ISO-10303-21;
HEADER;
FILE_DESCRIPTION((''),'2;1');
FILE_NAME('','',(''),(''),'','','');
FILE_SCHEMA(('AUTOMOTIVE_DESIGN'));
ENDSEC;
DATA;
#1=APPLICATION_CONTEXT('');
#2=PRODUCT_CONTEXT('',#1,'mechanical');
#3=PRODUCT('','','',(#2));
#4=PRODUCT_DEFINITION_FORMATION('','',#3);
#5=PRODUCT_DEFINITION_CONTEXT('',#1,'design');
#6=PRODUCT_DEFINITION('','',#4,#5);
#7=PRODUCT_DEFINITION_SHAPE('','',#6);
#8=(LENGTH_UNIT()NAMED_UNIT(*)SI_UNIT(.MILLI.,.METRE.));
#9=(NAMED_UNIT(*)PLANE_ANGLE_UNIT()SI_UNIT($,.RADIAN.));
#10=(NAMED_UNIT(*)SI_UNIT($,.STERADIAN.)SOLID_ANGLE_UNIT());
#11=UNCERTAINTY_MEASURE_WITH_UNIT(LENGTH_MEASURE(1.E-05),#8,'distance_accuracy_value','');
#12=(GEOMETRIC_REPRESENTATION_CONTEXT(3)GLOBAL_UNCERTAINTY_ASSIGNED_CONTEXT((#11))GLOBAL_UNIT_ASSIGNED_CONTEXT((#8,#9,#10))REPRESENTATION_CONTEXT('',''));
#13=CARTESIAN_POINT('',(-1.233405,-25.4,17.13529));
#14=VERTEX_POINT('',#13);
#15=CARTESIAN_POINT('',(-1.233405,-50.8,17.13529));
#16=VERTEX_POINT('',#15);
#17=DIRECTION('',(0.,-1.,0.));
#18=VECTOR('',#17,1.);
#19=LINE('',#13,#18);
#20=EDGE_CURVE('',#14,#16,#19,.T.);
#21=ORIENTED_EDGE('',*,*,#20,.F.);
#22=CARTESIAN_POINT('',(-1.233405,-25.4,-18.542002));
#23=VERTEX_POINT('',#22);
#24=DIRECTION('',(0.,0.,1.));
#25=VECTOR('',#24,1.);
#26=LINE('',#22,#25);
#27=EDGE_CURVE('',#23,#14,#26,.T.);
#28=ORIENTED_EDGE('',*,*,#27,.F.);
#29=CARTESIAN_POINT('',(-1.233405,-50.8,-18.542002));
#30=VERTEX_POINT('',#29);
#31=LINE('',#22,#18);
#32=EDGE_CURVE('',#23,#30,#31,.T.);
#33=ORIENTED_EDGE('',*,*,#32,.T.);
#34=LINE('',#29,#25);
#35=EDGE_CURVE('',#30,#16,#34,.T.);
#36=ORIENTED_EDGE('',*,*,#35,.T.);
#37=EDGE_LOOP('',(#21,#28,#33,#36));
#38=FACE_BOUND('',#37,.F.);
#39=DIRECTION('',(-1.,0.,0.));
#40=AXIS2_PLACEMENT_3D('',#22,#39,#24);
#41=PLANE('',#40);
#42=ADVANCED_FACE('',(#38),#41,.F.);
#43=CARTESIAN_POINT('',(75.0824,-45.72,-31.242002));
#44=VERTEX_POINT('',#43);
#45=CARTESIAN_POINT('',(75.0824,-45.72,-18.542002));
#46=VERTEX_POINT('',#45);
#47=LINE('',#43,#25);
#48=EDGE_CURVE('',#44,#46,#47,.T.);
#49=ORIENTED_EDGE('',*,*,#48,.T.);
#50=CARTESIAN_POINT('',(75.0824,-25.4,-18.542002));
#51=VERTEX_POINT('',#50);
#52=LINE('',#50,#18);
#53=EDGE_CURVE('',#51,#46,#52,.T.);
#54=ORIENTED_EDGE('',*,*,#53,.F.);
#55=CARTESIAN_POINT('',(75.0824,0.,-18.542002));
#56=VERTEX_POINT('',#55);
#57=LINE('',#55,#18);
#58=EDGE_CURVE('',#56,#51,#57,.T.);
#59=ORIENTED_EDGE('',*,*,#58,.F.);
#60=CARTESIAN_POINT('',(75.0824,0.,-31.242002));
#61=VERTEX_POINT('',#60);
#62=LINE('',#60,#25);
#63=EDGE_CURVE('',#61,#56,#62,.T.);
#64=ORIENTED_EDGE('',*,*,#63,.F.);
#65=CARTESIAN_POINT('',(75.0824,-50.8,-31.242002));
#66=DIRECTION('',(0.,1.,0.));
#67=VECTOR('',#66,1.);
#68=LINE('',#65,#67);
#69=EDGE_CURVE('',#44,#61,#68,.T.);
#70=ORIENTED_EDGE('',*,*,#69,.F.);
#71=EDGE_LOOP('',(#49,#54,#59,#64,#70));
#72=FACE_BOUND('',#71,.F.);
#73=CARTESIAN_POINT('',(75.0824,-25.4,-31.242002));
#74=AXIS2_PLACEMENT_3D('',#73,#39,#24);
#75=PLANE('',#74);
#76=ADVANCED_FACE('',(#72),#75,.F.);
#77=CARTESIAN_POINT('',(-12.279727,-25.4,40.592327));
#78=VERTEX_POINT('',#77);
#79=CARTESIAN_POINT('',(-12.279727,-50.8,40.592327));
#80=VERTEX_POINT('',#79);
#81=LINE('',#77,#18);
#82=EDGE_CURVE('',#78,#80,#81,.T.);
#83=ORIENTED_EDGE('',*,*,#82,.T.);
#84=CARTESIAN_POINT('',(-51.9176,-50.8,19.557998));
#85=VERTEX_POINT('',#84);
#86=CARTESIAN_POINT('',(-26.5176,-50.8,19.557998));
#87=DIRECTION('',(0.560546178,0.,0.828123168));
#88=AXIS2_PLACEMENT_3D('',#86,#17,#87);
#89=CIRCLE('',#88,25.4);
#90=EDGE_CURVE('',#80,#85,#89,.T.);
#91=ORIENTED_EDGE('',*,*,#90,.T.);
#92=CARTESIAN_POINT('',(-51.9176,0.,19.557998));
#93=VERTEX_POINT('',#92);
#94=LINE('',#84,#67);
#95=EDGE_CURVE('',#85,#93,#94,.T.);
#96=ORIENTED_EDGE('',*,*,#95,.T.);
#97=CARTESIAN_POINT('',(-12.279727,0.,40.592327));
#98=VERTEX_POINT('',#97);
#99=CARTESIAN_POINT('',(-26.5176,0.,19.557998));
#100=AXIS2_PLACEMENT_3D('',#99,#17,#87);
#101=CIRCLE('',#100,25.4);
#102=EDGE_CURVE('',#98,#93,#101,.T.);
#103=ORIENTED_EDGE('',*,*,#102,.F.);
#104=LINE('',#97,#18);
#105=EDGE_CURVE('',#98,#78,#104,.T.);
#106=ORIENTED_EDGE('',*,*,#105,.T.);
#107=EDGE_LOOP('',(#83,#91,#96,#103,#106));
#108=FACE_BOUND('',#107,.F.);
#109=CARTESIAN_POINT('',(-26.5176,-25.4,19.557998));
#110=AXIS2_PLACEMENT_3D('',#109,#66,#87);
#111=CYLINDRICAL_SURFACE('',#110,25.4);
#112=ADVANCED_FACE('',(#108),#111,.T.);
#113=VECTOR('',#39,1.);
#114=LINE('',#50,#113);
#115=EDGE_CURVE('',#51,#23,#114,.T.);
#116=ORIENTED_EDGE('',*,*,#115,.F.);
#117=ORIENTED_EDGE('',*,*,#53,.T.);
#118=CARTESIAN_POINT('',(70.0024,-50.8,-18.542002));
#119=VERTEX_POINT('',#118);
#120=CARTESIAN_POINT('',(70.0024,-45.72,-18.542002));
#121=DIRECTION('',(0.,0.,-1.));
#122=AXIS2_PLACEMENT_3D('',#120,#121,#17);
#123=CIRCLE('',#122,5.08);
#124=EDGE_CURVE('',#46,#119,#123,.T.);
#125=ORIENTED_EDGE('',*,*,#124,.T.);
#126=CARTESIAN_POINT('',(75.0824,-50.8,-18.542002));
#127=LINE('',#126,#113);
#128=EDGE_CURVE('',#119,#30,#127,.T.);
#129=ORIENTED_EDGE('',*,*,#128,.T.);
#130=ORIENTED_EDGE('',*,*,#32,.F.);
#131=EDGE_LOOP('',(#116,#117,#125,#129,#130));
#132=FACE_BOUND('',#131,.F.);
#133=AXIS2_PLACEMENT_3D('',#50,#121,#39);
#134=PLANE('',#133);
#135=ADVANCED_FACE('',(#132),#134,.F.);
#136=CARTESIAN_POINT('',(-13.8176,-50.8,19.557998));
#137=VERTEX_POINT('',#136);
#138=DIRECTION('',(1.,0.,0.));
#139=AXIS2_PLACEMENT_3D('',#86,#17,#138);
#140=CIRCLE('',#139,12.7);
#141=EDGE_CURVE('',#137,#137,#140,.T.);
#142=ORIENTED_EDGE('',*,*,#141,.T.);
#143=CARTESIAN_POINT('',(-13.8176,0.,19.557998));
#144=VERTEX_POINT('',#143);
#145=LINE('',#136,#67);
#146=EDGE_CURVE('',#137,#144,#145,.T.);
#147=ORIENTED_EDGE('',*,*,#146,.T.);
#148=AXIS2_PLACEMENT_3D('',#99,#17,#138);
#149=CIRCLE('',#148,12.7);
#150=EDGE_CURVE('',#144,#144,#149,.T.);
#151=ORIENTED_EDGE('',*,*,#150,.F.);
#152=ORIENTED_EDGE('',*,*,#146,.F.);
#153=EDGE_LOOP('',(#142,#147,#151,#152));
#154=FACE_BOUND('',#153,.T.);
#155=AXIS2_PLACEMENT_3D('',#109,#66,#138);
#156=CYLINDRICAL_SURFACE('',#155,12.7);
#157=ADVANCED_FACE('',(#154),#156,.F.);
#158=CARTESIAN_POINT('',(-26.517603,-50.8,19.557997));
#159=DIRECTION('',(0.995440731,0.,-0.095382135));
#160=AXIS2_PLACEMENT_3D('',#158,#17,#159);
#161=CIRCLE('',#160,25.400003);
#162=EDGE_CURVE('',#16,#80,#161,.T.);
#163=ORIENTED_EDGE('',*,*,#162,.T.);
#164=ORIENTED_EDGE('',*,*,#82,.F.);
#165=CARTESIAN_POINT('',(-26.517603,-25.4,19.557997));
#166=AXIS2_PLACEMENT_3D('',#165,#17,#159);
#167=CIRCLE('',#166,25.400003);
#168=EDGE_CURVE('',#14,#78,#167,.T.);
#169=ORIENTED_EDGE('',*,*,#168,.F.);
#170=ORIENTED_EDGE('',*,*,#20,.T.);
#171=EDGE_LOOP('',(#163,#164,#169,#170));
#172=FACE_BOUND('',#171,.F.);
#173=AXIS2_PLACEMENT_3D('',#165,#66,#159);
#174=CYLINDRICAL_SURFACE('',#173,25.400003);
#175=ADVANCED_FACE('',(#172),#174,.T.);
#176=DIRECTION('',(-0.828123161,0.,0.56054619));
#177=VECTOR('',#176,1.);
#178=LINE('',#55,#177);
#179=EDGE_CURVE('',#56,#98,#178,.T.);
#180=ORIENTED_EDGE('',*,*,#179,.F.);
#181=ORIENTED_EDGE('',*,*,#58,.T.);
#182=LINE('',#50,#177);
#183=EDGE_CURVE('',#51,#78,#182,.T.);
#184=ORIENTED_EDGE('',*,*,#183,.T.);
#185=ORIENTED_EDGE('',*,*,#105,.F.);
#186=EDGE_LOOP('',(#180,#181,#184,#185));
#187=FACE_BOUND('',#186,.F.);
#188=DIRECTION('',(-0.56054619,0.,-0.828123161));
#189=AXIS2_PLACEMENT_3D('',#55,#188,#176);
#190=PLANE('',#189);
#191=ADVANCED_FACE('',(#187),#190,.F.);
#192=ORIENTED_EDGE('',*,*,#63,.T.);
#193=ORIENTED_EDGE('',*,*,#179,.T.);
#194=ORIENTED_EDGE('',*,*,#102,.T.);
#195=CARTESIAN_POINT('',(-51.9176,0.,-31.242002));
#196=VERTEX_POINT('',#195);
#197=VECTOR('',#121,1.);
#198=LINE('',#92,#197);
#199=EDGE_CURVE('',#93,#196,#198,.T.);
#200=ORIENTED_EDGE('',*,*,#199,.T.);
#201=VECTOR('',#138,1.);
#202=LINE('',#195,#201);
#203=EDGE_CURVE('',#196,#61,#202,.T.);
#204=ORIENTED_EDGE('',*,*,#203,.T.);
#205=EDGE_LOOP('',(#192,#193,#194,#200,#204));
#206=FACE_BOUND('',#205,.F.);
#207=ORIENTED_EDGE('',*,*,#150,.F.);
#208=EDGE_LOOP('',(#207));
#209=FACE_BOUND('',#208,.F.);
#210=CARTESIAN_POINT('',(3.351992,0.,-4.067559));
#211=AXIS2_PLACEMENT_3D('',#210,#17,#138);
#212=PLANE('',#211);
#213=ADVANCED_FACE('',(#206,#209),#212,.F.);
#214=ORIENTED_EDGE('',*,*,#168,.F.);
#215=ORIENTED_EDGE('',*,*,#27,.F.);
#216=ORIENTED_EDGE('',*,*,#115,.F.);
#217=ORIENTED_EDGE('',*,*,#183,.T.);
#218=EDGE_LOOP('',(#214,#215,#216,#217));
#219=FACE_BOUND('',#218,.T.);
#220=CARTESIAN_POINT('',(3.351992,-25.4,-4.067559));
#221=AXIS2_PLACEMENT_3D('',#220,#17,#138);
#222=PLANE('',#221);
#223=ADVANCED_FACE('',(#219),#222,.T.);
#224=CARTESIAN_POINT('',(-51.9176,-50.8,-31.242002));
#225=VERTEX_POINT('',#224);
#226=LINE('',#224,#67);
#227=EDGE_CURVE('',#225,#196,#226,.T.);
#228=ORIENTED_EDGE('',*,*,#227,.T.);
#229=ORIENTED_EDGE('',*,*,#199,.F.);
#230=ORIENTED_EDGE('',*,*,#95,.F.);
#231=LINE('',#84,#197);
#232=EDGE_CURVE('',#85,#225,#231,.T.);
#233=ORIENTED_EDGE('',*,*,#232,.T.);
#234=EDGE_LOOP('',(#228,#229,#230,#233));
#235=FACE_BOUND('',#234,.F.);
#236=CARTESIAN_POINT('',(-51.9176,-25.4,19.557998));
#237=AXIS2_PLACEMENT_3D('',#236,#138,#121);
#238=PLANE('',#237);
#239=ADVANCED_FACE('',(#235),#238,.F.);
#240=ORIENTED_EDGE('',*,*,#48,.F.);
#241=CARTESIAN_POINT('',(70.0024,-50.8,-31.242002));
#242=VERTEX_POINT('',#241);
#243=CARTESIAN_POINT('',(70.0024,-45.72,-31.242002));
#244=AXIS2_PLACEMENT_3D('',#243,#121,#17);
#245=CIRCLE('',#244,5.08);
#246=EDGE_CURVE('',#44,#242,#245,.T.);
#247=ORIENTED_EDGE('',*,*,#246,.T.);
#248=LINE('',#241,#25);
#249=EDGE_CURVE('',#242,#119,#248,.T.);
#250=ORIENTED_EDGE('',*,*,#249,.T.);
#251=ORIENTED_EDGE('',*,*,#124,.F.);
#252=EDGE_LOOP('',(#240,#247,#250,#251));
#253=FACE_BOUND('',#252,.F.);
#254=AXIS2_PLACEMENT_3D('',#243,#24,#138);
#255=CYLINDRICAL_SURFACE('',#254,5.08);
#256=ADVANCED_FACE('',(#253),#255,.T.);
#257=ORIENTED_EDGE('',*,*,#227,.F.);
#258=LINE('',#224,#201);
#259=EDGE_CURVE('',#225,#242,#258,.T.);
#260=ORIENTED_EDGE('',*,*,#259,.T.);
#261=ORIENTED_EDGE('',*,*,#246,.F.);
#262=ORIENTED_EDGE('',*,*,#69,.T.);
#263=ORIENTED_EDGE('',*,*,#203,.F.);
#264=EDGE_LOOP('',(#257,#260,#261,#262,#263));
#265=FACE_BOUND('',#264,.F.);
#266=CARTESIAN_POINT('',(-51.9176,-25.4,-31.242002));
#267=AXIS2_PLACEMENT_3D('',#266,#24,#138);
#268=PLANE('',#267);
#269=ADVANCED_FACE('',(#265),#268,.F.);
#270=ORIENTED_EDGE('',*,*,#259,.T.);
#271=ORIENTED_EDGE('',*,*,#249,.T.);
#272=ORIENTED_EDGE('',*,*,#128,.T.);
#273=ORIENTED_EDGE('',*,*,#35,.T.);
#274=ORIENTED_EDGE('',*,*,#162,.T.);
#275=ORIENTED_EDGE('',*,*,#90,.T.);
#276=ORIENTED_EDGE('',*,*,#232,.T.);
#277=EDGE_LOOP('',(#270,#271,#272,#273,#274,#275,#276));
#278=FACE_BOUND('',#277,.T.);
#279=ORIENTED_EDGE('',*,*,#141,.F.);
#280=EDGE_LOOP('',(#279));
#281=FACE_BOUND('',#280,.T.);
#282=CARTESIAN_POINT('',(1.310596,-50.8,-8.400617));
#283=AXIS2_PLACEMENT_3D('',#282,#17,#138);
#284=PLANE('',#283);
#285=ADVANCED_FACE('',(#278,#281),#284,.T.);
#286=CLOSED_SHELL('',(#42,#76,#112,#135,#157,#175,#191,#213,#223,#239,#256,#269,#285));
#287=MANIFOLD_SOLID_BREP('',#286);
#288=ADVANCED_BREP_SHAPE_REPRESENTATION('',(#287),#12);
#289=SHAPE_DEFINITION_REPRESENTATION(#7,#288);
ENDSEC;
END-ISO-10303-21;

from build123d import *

# Parameters (mm, degrees)
F0_R     = 12.7
F1_DEPTH = 25.4
F2_R     = 12.7
F3_DEPTH = 25.4
F4_R     = 5.08


with BuildPart() as f1:
    # F0 (on Front) → F1 (new body)
    with BuildSketch(Plane.XZ):
        with BuildLine():
            Line((75.0824, -18.542002), (-12.279727, 40.592327))
            ThreePointArc((-12.279727, 40.592327), (-38.423859, 41.994598), (-51.9176, 19.557998))
            Line((-51.9176, 19.557998), (-51.9176, -31.242002))
            Line((-51.9176, -31.242002), (75.0824, -31.242002))
            Line((75.0824, -31.242002), (75.0824, -18.542002))
        make_face()
        with Locations((-26.5176, 19.557998)):
            Circle(F0_R, mode=Mode.SUBTRACT)
    extrude(amount=F1_DEPTH)

    # F2 (on face) → F3 (join)
    with BuildSketch(Plane.XZ.offset(25.4)):
        with BuildLine():
            Line((75.0824, -31.242002), (75.0824, -18.542002))
            Line((75.0824, -18.542002), (-1.233405, -18.542002))
            Line((-1.233405, -18.542002), (-1.233405, 17.13529))
            ThreePointArc((-1.233405, 17.13529), (-3.538118, 30.379431), (-12.279727, 40.592327))
            ThreePointArc((-12.279727, 40.592327), (-38.423859, 41.994598), (-51.9176, 19.557998))
            Line((-51.9176, 19.557998), (-51.9176, -18.542002))
            Line((-51.9176, -18.542002), (-51.9176, -31.242002))
            Line((-51.9176, -31.242002), (75.0824, -31.242002))
        make_face()
        with Locations((-26.5176, 19.557998)):
            Circle(F2_R, mode=Mode.SUBTRACT)
    extrude(amount=F3_DEPTH)

    # F4
    f4_edges = [f1.edges().sort_by_distance(p)[0] for p in [
        (75.0824, -50.8, -24.892002),
    ]]
    fillet(f4_edges, radius=F4_R)


solid = f1.part
